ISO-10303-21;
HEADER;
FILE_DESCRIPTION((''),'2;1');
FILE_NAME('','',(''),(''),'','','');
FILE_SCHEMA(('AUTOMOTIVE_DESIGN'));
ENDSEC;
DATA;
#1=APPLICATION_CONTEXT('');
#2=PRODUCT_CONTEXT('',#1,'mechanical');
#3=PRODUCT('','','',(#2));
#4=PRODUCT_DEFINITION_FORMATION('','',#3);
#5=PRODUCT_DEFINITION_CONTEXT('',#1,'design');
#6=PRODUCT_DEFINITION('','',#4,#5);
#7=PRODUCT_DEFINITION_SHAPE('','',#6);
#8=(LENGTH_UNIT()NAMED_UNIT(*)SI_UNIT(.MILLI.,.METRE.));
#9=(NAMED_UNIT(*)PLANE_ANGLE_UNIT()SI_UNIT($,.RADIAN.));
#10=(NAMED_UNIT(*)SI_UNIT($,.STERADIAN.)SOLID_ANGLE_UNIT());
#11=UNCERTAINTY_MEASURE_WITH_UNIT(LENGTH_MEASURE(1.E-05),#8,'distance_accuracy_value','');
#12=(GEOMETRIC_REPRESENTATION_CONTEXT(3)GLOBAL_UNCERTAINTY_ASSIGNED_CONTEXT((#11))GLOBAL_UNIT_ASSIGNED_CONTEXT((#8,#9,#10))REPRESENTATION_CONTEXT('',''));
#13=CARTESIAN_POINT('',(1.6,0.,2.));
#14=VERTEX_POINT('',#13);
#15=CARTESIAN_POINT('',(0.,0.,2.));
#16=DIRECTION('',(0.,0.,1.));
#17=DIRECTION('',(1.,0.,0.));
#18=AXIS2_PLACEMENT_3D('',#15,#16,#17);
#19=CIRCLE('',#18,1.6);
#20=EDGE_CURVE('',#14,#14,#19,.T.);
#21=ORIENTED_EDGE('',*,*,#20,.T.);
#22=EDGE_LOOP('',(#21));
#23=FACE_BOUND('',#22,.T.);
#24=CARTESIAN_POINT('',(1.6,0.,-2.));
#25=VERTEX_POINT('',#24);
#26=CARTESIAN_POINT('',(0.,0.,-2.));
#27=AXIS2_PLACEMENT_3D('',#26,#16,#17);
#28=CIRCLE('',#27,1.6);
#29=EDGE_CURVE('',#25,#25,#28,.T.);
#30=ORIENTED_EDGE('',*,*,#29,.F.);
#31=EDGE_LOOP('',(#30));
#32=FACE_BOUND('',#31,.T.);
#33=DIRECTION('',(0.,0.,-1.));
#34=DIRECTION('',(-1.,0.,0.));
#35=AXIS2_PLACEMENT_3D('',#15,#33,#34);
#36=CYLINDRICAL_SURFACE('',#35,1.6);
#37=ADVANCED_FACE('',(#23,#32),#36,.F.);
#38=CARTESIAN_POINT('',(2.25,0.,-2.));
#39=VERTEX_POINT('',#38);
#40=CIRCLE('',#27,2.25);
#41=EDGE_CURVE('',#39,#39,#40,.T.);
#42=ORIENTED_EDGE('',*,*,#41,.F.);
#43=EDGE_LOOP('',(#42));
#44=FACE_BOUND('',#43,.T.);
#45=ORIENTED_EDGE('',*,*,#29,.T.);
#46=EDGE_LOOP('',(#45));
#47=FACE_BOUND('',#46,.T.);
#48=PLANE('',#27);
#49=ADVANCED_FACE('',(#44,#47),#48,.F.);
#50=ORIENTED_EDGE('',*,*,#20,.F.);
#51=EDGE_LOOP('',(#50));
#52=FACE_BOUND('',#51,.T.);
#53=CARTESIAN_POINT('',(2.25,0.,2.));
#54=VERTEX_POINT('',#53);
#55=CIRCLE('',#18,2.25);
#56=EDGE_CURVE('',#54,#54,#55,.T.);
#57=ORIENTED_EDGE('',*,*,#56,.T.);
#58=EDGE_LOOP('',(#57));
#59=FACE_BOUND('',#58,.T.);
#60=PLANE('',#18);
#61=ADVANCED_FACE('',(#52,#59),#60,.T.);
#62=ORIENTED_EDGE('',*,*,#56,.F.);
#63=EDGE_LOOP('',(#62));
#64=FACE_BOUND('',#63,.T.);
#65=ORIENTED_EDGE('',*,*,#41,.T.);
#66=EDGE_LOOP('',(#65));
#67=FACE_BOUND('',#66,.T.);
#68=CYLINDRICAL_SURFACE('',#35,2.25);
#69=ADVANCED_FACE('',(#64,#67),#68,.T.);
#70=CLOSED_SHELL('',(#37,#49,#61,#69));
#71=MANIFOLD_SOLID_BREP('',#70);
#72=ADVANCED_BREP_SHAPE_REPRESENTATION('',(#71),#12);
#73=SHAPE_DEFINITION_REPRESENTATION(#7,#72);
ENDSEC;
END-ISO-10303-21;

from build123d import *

# Parameters (mm, degrees)
SKETCH1_R      = 2.25
SKETCH1_R_2    = 1.6
EXTRUDE1_DEPTH = 2


with BuildPart() as part:
    # Sketch1 → Extrude1 (new body, symmetric)
    with BuildSketch(Plane.XY):
        Circle(SKETCH1_R)
        Circle(SKETCH1_R_2, mode=Mode.SUBTRACT)
    extrude(amount=EXTRUDE1_DEPTH, both=True)


solid = part.part
